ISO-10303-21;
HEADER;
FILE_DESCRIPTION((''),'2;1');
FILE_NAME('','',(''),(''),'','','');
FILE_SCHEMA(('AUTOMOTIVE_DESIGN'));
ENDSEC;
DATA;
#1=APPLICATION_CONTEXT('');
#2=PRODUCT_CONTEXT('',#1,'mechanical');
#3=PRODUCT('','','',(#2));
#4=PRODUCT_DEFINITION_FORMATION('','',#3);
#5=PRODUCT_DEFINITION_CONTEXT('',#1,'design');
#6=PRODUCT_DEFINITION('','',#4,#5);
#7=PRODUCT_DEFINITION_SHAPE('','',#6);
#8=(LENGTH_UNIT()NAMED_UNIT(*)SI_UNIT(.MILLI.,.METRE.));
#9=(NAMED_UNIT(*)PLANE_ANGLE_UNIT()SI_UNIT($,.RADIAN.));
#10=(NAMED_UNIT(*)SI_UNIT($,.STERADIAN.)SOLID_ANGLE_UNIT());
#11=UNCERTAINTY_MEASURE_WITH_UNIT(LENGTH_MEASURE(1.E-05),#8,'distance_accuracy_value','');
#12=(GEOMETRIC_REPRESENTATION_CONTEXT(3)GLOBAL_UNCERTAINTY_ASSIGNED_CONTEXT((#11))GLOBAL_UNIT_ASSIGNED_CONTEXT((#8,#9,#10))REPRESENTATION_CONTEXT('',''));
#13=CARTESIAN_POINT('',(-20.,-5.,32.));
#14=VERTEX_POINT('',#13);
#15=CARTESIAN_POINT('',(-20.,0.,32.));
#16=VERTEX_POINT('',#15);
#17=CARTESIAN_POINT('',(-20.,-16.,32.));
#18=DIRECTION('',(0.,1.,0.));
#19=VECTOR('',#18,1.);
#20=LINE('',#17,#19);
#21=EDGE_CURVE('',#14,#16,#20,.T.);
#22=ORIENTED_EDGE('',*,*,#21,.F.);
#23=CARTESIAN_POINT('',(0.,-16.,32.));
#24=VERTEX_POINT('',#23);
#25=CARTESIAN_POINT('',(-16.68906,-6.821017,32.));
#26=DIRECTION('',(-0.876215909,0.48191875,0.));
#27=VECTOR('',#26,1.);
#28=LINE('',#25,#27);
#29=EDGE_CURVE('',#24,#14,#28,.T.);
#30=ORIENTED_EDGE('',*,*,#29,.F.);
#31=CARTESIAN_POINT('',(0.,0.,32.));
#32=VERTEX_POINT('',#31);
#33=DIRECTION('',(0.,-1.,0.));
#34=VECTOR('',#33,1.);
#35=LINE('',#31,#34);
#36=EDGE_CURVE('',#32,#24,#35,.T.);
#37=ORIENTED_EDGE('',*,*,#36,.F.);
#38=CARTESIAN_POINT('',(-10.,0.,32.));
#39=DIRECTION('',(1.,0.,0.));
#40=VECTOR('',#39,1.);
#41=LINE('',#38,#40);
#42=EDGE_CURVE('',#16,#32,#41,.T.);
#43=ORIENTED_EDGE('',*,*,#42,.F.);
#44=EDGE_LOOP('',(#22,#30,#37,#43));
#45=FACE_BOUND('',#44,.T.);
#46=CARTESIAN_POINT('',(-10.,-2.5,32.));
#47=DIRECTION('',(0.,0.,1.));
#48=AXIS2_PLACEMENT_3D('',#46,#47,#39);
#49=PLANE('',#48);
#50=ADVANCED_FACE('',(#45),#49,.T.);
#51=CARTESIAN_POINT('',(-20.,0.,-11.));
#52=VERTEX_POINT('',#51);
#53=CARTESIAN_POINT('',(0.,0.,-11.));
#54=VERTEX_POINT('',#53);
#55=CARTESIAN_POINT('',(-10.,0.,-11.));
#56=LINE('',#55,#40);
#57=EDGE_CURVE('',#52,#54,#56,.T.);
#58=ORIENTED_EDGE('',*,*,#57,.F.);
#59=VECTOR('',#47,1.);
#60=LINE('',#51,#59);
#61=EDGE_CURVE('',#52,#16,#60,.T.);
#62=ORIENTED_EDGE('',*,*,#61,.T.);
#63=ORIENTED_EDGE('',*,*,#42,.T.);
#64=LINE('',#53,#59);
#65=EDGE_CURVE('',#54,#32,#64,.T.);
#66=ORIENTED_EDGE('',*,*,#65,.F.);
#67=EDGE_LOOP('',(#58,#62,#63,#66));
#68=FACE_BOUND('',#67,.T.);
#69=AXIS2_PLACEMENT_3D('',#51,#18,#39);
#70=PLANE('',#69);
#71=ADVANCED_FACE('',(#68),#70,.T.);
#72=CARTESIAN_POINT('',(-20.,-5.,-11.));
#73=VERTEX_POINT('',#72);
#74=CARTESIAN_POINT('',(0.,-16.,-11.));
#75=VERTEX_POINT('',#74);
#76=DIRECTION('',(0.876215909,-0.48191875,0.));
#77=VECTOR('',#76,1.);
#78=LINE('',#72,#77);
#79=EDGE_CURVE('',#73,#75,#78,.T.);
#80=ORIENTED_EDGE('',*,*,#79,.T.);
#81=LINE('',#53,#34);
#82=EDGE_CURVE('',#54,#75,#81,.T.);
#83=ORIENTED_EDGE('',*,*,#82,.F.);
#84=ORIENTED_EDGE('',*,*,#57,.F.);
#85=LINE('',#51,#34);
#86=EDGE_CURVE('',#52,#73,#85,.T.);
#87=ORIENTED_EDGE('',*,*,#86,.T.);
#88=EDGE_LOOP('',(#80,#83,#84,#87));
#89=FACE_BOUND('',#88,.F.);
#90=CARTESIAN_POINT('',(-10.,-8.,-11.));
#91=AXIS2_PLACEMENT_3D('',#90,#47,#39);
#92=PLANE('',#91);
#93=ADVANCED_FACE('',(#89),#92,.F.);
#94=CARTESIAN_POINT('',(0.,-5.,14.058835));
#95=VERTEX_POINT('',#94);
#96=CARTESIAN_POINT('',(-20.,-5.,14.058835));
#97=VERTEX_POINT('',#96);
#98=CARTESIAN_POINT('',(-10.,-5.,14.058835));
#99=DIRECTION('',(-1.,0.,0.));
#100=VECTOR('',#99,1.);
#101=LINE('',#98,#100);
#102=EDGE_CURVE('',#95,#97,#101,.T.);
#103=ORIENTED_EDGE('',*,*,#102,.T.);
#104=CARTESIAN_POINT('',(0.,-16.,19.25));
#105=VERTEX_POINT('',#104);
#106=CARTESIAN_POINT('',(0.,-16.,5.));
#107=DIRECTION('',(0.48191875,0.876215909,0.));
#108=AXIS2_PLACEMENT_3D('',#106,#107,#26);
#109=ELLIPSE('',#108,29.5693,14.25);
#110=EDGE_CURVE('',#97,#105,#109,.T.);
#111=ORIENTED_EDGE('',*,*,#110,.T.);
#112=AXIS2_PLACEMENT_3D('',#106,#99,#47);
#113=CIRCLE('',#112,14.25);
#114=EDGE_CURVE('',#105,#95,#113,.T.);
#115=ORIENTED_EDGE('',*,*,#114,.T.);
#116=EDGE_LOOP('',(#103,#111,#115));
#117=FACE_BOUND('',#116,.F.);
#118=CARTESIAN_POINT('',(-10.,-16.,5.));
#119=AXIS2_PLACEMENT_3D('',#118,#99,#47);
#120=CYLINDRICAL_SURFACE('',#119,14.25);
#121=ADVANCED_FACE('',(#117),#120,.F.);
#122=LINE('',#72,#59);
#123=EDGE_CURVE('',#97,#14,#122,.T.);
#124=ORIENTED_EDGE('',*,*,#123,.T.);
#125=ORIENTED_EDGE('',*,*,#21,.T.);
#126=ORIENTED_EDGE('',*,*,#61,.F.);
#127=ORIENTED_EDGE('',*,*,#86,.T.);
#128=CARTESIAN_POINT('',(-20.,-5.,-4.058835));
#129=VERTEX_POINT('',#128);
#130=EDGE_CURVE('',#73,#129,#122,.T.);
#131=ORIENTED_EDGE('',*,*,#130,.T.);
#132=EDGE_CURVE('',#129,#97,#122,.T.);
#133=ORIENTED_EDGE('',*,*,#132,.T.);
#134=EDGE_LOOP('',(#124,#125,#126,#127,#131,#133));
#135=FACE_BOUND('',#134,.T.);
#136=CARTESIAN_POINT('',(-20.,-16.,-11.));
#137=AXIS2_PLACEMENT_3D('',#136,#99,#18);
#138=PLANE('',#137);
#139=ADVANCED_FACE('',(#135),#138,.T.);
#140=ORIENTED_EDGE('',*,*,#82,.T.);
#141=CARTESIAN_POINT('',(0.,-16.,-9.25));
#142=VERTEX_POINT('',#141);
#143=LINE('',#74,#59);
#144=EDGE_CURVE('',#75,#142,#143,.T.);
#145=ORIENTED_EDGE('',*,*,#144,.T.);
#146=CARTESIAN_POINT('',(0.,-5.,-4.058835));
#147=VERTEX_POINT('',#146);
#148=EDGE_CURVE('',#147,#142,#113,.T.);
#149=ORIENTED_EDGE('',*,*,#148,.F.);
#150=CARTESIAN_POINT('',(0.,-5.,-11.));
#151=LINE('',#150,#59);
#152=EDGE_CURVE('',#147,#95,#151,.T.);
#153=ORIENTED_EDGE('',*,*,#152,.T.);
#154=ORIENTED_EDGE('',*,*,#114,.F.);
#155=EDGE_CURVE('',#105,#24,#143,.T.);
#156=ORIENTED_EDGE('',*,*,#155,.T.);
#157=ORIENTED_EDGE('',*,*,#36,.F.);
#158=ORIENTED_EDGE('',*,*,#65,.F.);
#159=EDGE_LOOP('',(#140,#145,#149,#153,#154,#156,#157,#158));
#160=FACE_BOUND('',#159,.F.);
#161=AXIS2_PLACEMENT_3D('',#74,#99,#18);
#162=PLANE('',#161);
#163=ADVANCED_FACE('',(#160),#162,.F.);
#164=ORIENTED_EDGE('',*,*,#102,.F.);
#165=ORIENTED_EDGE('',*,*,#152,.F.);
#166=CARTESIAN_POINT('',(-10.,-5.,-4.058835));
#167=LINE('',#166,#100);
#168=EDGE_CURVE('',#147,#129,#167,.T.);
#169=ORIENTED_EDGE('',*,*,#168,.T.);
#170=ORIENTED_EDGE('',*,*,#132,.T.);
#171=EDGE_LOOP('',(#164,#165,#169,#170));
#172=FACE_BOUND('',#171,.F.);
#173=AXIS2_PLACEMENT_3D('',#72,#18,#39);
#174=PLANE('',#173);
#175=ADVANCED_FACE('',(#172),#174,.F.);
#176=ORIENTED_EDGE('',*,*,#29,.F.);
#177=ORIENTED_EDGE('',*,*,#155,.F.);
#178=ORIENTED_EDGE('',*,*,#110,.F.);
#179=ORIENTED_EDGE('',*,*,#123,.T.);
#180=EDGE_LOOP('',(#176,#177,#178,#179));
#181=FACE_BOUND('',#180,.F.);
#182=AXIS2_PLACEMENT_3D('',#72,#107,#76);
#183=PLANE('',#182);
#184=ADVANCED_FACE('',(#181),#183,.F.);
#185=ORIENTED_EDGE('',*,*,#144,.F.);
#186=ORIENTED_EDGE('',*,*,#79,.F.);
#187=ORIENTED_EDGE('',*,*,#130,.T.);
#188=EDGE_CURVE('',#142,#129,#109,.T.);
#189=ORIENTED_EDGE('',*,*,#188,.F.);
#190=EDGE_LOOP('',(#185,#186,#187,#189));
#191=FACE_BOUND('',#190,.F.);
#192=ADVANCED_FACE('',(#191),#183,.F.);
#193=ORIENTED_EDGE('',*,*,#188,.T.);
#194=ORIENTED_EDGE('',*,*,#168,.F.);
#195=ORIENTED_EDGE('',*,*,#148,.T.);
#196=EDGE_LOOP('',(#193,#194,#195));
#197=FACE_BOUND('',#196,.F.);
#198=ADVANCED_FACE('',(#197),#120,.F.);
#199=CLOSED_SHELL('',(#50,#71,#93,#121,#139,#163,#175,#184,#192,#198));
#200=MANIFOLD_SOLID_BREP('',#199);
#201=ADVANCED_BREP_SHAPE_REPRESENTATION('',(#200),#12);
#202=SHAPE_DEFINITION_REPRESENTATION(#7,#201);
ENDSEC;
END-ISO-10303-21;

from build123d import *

# Parameters (mm, degrees)
CYLINDER_W      = 14.25
CYLINDER_H      = 20
CYLINDER_ANGLE  = 180
BOX001_W        = 20
BOX001_H        = 16
BOX001_DEPTH    = 43
BOX002_W        = 20
BOX002_H        = 5
BOX002_DEPTH    = 43
POCKET008_DEPTH = 43.001


with BuildPart() as cylinder:
    # Cylinder → Cylinder (revolve)
    with BuildSketch(Plane(origin=(0, -16, 5), x_dir=(0, 0, 1), z_dir=(0, -1, 0))):
        with Locations((7.125, 10)):
            Rectangle(CYLINDER_W, CYLINDER_H)
    revolve(axis=Axis((0, -16, 5), (-1, 0, 0)), revolution_arc=CYLINDER_ANGLE)


with BuildPart() as cut001:
    # Box001 → Box001 (new body)
    with BuildSketch(Plane(origin=(-20, -16, -11), x_dir=(1, 0, 0), z_dir=(0, 0, 1))):
        with Locations((10, 8)):
            Rectangle(BOX001_W, BOX001_H)
    extrude(amount=BOX001_DEPTH)

    # Cut001: cut Cylinder
    add(cylinder.part, mode=Mode.SUBTRACT)


with BuildPart() as side_dupporter:
    # Box002 → Box002 (new body)
    with BuildSketch(Plane(origin=(-20, -5, -11), x_dir=(1, 0, 0), z_dir=(0, 0, 1))):
        with Locations((10, 2.5)):
            Rectangle(BOX002_W, BOX002_H)
    extrude(amount=BOX002_DEPTH)

    # Fusion004: union Cut001
    add(cut001.part)

    # Sketch018 (on Face10 of BaseFeature002) → Pocket008 (cut, through all)
    with BuildSketch(Plane(origin=(0, 0, -11), x_dir=(1, 0, 0), z_dir=(0, 0, -1))):
        Polygon((0, 16), (-20, 16), (-20, 5), align=None)
    extrude(amount=-POCKET008_DEPTH, mode=Mode.SUBTRACT)


solid = side_dupporter.part
